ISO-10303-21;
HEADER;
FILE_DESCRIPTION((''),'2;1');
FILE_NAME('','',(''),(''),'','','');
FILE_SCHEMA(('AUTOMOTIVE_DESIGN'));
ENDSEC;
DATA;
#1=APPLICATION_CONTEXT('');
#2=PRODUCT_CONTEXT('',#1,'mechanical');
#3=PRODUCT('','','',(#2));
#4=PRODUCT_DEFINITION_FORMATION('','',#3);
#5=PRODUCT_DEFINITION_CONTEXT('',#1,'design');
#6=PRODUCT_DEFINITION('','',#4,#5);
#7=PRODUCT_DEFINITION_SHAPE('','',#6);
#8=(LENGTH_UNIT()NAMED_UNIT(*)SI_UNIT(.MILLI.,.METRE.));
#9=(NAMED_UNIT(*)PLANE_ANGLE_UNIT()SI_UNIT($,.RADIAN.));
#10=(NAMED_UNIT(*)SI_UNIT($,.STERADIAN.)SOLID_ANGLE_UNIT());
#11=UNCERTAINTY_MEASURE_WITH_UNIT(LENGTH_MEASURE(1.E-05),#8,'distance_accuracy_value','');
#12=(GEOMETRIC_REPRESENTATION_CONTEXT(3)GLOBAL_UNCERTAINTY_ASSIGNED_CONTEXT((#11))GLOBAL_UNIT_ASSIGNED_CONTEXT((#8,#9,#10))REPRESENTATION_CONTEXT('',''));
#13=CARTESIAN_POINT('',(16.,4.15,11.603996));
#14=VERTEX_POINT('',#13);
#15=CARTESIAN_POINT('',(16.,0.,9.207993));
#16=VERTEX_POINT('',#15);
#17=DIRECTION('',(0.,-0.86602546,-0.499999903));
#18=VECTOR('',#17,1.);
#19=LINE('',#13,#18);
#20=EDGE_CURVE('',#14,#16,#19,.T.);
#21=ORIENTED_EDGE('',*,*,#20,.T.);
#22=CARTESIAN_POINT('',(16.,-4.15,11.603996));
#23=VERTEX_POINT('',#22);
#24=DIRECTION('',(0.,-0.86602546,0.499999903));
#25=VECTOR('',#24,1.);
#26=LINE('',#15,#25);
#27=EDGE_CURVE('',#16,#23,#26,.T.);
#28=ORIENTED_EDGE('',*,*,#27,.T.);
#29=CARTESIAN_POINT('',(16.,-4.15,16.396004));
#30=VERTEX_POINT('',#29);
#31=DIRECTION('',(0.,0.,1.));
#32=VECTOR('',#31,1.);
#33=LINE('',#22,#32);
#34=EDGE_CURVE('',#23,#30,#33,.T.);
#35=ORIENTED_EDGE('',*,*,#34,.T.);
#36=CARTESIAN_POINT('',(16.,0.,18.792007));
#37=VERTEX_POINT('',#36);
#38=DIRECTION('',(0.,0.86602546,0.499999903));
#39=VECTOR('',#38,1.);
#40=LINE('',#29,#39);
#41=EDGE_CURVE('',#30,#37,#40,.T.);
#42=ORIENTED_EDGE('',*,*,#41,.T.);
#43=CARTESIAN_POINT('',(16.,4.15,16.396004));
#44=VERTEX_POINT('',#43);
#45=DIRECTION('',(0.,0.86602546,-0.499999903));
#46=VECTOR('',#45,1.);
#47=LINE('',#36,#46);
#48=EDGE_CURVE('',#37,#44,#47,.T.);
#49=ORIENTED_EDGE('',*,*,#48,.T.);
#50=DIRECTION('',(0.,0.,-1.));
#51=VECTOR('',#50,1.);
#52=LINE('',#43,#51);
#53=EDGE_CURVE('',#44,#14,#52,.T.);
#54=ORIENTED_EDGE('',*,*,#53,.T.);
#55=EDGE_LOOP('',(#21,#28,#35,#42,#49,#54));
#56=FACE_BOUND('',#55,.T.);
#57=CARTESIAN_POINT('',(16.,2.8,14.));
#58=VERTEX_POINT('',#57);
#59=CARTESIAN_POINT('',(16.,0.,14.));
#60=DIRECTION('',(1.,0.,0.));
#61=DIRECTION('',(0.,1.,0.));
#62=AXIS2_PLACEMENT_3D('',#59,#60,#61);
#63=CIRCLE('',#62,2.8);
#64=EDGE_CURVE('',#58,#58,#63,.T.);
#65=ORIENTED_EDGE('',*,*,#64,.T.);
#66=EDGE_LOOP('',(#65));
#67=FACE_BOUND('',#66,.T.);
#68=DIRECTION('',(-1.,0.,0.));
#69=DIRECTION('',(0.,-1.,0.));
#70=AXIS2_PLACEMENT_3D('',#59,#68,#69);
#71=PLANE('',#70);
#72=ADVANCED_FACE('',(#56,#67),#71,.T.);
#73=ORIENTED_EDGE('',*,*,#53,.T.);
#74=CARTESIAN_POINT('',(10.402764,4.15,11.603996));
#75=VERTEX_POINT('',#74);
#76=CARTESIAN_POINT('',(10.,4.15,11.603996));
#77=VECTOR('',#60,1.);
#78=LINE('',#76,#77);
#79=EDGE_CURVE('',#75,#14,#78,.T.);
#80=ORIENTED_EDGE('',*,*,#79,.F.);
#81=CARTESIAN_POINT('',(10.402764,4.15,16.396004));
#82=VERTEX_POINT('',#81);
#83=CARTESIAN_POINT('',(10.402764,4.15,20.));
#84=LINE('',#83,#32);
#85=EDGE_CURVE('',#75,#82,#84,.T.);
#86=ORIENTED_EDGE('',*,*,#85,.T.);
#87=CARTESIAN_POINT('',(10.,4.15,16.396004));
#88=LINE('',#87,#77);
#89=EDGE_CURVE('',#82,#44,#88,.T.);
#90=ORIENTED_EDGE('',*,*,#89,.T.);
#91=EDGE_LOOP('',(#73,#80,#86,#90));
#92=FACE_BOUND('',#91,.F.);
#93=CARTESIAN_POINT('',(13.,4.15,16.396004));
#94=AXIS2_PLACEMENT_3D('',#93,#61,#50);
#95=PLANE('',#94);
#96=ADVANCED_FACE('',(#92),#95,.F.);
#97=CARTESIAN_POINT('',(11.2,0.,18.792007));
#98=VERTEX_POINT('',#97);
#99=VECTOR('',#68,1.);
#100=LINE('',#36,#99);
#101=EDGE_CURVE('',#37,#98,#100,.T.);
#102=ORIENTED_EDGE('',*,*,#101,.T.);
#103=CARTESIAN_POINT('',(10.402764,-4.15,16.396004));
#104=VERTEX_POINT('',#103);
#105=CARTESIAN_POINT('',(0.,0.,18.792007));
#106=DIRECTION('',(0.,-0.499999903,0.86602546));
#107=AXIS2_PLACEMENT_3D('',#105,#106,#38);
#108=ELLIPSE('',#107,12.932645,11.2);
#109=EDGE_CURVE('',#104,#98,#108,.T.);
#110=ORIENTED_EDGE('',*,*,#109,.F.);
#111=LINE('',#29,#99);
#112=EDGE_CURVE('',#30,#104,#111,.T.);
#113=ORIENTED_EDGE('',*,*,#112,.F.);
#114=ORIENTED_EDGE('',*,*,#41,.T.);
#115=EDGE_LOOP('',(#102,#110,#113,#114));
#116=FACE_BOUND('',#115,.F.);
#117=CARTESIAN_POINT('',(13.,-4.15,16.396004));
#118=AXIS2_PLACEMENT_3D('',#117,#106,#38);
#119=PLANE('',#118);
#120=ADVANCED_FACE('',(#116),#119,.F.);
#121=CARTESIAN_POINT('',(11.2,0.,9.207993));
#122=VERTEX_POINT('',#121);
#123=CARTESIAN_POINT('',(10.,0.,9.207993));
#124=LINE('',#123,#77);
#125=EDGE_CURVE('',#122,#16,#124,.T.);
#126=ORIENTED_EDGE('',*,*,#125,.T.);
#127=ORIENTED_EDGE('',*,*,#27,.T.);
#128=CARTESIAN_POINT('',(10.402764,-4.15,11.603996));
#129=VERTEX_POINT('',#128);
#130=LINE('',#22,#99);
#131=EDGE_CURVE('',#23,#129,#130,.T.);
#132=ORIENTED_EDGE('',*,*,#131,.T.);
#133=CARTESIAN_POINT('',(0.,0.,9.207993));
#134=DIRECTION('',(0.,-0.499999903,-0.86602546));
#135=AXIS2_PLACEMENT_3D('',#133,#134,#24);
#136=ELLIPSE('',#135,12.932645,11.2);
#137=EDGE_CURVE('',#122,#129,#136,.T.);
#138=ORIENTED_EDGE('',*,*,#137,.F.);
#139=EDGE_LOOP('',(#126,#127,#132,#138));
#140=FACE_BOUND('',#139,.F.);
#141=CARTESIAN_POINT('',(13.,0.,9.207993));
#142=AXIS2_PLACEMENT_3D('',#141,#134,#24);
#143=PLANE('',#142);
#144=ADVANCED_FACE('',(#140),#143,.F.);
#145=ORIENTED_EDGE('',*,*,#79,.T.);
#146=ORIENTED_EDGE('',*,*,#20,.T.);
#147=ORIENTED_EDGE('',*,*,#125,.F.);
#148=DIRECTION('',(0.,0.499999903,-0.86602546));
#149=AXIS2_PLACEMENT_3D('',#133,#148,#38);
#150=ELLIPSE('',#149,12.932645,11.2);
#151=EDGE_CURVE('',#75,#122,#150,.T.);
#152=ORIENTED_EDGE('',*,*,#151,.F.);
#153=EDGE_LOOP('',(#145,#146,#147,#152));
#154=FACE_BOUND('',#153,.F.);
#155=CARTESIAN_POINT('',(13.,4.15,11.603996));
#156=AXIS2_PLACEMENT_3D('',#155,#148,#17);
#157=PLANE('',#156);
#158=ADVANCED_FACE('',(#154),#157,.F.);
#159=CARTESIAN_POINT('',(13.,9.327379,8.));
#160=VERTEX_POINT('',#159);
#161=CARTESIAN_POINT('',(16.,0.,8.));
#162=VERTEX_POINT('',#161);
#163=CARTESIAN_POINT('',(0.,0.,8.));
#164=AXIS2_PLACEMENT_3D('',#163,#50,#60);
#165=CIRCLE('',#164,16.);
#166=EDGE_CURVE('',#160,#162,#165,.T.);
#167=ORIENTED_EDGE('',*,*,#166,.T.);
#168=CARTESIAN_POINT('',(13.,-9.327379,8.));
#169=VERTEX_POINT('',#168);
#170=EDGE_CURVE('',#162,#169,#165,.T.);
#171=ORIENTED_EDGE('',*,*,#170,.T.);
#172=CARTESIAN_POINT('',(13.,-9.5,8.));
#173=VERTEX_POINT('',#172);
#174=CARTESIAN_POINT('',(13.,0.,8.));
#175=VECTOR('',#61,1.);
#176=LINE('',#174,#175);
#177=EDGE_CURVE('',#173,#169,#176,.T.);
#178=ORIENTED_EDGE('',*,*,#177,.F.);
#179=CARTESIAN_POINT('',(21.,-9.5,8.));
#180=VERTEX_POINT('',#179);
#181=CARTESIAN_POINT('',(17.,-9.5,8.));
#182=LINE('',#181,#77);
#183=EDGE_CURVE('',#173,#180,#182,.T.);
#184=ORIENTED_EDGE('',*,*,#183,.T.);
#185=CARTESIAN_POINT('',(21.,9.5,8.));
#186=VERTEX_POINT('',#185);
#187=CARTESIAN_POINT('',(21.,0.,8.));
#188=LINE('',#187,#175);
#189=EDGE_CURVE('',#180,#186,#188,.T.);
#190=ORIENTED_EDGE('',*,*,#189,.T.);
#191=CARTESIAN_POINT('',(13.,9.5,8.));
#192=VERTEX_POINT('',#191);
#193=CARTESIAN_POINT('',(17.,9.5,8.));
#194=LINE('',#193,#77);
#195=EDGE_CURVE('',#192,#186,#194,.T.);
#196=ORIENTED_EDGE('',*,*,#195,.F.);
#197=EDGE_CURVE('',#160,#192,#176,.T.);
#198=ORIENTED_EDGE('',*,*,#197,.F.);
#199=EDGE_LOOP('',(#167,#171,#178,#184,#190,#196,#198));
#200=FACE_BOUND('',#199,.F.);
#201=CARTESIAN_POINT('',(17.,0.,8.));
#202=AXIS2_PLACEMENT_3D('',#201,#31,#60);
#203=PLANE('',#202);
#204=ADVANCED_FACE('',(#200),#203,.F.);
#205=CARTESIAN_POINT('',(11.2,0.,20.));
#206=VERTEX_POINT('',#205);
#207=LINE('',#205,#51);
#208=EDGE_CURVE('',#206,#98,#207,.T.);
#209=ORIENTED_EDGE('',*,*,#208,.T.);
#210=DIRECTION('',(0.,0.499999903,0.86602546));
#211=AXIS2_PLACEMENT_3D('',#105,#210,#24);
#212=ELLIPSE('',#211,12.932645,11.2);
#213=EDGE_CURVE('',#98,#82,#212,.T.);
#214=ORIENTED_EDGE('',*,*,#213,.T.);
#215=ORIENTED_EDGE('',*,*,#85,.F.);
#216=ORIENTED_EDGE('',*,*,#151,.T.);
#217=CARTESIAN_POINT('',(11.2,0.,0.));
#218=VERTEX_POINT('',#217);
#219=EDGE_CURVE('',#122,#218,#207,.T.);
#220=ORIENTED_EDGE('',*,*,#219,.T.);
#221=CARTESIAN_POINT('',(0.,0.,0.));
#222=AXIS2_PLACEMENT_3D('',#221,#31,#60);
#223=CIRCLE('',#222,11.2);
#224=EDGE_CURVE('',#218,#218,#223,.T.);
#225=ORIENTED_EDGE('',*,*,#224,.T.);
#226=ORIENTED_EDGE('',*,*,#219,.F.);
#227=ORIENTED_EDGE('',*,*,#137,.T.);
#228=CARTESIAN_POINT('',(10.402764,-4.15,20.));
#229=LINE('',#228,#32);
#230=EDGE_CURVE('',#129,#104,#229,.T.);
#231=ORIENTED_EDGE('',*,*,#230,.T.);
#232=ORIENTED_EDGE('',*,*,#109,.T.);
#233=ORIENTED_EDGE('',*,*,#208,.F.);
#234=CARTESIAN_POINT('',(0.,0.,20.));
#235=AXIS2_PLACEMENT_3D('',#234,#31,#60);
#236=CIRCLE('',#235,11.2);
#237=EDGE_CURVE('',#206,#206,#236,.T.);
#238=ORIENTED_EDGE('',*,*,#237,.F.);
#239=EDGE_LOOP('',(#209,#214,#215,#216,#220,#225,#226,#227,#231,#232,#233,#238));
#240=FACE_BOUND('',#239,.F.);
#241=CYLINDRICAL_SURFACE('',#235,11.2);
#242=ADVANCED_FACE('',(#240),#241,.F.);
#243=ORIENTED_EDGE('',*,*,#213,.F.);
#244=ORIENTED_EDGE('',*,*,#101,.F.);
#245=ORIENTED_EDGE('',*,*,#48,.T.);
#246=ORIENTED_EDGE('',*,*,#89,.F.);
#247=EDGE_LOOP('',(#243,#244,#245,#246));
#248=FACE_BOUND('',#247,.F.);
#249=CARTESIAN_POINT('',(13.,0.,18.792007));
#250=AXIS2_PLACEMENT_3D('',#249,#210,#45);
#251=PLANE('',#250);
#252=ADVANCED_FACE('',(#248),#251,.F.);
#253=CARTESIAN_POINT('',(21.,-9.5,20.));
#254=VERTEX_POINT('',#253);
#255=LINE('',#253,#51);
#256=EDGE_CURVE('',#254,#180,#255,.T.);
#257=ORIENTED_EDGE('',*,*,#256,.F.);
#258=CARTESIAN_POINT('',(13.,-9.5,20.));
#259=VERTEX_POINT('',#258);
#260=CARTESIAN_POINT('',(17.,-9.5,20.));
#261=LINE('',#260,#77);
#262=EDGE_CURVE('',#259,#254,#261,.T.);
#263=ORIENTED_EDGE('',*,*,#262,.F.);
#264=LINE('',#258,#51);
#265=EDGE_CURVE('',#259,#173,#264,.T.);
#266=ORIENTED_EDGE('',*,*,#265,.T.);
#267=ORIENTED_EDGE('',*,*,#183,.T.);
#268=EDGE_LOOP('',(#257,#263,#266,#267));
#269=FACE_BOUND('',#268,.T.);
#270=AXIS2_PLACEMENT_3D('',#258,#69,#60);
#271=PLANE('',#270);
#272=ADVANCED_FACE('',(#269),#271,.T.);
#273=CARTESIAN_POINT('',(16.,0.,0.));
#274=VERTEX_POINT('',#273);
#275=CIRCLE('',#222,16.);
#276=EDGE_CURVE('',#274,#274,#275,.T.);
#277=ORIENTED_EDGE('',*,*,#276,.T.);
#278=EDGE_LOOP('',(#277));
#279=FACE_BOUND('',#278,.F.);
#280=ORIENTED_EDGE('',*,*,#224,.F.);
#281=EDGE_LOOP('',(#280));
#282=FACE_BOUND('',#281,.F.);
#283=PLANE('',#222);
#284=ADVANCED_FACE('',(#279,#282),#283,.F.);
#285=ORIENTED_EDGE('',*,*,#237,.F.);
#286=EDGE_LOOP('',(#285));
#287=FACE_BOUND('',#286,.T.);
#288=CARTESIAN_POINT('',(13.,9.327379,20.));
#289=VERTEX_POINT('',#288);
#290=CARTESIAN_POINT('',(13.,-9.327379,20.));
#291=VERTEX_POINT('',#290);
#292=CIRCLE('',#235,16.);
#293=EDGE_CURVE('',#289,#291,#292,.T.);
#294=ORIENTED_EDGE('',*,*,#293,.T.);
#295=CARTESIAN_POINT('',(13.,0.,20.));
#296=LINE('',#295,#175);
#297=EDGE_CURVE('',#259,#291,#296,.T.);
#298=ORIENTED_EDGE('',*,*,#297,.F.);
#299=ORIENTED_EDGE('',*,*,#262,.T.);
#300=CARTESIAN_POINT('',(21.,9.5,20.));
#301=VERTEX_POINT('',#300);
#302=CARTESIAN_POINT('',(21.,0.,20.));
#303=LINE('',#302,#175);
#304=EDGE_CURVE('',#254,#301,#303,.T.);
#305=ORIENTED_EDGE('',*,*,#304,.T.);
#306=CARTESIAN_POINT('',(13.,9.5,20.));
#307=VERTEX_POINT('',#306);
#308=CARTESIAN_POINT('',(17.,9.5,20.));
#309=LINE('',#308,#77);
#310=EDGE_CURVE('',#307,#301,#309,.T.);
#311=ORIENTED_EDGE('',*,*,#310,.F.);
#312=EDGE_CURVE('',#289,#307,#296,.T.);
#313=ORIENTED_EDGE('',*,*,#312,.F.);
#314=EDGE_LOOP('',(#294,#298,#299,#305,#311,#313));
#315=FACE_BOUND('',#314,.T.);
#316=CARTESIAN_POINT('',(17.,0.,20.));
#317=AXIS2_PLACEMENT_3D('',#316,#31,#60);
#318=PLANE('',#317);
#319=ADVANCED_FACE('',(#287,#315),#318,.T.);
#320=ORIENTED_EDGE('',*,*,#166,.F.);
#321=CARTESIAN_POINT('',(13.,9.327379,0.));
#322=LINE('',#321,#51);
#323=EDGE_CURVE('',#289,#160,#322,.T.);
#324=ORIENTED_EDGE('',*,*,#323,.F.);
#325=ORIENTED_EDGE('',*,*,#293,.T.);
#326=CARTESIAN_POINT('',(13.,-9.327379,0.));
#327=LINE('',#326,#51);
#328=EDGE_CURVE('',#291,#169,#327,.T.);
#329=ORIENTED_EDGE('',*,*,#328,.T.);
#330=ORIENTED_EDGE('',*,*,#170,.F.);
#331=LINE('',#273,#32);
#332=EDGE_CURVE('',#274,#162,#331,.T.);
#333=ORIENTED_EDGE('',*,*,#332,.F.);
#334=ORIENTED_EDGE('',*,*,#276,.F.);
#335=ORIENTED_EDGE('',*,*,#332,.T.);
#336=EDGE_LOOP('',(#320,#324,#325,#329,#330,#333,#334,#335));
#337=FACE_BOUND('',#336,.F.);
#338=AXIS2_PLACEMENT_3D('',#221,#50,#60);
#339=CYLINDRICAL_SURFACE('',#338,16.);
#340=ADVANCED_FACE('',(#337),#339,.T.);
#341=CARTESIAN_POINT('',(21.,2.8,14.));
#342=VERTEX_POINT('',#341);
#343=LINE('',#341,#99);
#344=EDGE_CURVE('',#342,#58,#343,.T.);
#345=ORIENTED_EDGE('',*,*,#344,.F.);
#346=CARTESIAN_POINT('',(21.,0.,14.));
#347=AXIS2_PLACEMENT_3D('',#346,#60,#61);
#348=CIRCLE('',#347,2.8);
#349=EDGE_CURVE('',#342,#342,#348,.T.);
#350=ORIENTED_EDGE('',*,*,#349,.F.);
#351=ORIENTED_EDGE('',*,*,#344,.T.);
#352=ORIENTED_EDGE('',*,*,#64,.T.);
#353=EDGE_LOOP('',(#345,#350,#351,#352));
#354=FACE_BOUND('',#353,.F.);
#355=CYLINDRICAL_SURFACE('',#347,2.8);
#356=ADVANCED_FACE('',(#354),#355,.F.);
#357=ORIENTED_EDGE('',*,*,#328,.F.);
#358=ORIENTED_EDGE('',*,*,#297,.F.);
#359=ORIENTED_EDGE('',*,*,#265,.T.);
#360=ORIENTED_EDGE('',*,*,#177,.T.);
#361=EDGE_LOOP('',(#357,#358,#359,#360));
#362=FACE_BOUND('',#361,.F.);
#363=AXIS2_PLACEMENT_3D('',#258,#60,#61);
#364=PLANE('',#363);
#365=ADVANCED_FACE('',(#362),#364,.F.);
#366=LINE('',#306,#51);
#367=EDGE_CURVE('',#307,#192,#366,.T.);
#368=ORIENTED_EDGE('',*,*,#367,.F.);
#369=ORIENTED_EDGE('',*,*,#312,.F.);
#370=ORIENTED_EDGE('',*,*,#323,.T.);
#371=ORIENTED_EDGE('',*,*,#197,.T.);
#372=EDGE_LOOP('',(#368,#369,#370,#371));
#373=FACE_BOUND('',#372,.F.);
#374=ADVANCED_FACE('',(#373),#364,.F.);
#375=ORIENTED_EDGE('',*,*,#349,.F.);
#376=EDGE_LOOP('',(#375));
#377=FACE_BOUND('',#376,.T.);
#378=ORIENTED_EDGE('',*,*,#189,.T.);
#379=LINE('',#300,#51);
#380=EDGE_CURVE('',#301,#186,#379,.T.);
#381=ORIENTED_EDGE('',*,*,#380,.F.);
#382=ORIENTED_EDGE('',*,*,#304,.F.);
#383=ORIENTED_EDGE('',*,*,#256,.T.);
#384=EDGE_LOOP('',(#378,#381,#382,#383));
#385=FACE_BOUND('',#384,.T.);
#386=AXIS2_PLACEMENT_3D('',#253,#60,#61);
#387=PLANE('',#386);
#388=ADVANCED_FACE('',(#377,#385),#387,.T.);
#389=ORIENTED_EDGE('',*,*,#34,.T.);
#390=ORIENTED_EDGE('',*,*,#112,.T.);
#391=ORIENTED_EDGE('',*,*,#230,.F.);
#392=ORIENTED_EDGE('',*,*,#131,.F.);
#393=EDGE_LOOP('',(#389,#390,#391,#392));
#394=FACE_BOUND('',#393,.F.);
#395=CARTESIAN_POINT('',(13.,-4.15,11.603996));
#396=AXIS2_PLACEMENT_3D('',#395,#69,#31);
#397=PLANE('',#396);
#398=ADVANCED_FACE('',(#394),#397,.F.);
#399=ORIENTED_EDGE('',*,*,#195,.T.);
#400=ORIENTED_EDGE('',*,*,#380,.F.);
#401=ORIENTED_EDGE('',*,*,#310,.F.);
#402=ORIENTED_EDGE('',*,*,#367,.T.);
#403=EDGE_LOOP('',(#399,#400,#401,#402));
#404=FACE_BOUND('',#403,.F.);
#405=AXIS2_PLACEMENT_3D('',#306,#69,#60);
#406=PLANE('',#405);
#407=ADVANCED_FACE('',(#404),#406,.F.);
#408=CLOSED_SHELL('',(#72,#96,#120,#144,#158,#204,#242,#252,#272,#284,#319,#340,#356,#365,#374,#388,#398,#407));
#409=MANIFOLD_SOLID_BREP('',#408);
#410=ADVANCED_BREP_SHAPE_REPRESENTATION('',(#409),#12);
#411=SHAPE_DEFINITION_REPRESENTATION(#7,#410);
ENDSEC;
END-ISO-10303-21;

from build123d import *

# Parameters (mm, degrees)
SKETCH_R        = 16
PAD_DEPTH       = 20
SKETCH001_R     = 11.2
POCKET_DEPTH    = 20.001
SKETCH002_W     = 8
SKETCH002_H     = 19
PAD001_DEPTH    = 12
POCKET001_DEPTH = 3
SKETCH008_R     = 2.8
POCKET002_DEPTH = 15


with BuildPart() as part:
    # Sketch → Pad (new body)
    with BuildSketch(Plane.XY):
        Circle(SKETCH_R)
    extrude(amount=PAD_DEPTH)

    # Sketch001 → Pocket (cut, through all)
    with BuildSketch(Plane.XY.offset(20)):
        Circle(SKETCH001_R)
    extrude(amount=-POCKET_DEPTH, mode=Mode.SUBTRACT)

    # Sketch002 → Pad001 (new body)
    with BuildSketch(Plane.XY.offset(20)):
        with Locations((17, 0)):
            Rectangle(SKETCH002_W, SKETCH002_H)
    extrude(amount=-PAD001_DEPTH)

    # Sketch005 → Pocket001 (cut, symmetric)
    with BuildSketch(Plane(origin=(13, 0, 0), x_dir=(0, -1, 0), z_dir=(-1, 0, 0))):
        Polygon((0, 9.207993), (4.15, 11.603996), (4.15, 16.396004), (0, 18.792007), (-4.15, 16.396004), (-4.15, 11.603996), align=None)
    extrude(amount=POCKET001_DEPTH, both=True, mode=Mode.SUBTRACT)

    # Sketch008 → Pocket002 (cut)
    with BuildSketch(Plane.YZ.offset(21)):
        with Locations((0, 14)):
            Circle(SKETCH008_R)
    extrude(amount=-POCKET002_DEPTH, mode=Mode.SUBTRACT)


solid = part.part
